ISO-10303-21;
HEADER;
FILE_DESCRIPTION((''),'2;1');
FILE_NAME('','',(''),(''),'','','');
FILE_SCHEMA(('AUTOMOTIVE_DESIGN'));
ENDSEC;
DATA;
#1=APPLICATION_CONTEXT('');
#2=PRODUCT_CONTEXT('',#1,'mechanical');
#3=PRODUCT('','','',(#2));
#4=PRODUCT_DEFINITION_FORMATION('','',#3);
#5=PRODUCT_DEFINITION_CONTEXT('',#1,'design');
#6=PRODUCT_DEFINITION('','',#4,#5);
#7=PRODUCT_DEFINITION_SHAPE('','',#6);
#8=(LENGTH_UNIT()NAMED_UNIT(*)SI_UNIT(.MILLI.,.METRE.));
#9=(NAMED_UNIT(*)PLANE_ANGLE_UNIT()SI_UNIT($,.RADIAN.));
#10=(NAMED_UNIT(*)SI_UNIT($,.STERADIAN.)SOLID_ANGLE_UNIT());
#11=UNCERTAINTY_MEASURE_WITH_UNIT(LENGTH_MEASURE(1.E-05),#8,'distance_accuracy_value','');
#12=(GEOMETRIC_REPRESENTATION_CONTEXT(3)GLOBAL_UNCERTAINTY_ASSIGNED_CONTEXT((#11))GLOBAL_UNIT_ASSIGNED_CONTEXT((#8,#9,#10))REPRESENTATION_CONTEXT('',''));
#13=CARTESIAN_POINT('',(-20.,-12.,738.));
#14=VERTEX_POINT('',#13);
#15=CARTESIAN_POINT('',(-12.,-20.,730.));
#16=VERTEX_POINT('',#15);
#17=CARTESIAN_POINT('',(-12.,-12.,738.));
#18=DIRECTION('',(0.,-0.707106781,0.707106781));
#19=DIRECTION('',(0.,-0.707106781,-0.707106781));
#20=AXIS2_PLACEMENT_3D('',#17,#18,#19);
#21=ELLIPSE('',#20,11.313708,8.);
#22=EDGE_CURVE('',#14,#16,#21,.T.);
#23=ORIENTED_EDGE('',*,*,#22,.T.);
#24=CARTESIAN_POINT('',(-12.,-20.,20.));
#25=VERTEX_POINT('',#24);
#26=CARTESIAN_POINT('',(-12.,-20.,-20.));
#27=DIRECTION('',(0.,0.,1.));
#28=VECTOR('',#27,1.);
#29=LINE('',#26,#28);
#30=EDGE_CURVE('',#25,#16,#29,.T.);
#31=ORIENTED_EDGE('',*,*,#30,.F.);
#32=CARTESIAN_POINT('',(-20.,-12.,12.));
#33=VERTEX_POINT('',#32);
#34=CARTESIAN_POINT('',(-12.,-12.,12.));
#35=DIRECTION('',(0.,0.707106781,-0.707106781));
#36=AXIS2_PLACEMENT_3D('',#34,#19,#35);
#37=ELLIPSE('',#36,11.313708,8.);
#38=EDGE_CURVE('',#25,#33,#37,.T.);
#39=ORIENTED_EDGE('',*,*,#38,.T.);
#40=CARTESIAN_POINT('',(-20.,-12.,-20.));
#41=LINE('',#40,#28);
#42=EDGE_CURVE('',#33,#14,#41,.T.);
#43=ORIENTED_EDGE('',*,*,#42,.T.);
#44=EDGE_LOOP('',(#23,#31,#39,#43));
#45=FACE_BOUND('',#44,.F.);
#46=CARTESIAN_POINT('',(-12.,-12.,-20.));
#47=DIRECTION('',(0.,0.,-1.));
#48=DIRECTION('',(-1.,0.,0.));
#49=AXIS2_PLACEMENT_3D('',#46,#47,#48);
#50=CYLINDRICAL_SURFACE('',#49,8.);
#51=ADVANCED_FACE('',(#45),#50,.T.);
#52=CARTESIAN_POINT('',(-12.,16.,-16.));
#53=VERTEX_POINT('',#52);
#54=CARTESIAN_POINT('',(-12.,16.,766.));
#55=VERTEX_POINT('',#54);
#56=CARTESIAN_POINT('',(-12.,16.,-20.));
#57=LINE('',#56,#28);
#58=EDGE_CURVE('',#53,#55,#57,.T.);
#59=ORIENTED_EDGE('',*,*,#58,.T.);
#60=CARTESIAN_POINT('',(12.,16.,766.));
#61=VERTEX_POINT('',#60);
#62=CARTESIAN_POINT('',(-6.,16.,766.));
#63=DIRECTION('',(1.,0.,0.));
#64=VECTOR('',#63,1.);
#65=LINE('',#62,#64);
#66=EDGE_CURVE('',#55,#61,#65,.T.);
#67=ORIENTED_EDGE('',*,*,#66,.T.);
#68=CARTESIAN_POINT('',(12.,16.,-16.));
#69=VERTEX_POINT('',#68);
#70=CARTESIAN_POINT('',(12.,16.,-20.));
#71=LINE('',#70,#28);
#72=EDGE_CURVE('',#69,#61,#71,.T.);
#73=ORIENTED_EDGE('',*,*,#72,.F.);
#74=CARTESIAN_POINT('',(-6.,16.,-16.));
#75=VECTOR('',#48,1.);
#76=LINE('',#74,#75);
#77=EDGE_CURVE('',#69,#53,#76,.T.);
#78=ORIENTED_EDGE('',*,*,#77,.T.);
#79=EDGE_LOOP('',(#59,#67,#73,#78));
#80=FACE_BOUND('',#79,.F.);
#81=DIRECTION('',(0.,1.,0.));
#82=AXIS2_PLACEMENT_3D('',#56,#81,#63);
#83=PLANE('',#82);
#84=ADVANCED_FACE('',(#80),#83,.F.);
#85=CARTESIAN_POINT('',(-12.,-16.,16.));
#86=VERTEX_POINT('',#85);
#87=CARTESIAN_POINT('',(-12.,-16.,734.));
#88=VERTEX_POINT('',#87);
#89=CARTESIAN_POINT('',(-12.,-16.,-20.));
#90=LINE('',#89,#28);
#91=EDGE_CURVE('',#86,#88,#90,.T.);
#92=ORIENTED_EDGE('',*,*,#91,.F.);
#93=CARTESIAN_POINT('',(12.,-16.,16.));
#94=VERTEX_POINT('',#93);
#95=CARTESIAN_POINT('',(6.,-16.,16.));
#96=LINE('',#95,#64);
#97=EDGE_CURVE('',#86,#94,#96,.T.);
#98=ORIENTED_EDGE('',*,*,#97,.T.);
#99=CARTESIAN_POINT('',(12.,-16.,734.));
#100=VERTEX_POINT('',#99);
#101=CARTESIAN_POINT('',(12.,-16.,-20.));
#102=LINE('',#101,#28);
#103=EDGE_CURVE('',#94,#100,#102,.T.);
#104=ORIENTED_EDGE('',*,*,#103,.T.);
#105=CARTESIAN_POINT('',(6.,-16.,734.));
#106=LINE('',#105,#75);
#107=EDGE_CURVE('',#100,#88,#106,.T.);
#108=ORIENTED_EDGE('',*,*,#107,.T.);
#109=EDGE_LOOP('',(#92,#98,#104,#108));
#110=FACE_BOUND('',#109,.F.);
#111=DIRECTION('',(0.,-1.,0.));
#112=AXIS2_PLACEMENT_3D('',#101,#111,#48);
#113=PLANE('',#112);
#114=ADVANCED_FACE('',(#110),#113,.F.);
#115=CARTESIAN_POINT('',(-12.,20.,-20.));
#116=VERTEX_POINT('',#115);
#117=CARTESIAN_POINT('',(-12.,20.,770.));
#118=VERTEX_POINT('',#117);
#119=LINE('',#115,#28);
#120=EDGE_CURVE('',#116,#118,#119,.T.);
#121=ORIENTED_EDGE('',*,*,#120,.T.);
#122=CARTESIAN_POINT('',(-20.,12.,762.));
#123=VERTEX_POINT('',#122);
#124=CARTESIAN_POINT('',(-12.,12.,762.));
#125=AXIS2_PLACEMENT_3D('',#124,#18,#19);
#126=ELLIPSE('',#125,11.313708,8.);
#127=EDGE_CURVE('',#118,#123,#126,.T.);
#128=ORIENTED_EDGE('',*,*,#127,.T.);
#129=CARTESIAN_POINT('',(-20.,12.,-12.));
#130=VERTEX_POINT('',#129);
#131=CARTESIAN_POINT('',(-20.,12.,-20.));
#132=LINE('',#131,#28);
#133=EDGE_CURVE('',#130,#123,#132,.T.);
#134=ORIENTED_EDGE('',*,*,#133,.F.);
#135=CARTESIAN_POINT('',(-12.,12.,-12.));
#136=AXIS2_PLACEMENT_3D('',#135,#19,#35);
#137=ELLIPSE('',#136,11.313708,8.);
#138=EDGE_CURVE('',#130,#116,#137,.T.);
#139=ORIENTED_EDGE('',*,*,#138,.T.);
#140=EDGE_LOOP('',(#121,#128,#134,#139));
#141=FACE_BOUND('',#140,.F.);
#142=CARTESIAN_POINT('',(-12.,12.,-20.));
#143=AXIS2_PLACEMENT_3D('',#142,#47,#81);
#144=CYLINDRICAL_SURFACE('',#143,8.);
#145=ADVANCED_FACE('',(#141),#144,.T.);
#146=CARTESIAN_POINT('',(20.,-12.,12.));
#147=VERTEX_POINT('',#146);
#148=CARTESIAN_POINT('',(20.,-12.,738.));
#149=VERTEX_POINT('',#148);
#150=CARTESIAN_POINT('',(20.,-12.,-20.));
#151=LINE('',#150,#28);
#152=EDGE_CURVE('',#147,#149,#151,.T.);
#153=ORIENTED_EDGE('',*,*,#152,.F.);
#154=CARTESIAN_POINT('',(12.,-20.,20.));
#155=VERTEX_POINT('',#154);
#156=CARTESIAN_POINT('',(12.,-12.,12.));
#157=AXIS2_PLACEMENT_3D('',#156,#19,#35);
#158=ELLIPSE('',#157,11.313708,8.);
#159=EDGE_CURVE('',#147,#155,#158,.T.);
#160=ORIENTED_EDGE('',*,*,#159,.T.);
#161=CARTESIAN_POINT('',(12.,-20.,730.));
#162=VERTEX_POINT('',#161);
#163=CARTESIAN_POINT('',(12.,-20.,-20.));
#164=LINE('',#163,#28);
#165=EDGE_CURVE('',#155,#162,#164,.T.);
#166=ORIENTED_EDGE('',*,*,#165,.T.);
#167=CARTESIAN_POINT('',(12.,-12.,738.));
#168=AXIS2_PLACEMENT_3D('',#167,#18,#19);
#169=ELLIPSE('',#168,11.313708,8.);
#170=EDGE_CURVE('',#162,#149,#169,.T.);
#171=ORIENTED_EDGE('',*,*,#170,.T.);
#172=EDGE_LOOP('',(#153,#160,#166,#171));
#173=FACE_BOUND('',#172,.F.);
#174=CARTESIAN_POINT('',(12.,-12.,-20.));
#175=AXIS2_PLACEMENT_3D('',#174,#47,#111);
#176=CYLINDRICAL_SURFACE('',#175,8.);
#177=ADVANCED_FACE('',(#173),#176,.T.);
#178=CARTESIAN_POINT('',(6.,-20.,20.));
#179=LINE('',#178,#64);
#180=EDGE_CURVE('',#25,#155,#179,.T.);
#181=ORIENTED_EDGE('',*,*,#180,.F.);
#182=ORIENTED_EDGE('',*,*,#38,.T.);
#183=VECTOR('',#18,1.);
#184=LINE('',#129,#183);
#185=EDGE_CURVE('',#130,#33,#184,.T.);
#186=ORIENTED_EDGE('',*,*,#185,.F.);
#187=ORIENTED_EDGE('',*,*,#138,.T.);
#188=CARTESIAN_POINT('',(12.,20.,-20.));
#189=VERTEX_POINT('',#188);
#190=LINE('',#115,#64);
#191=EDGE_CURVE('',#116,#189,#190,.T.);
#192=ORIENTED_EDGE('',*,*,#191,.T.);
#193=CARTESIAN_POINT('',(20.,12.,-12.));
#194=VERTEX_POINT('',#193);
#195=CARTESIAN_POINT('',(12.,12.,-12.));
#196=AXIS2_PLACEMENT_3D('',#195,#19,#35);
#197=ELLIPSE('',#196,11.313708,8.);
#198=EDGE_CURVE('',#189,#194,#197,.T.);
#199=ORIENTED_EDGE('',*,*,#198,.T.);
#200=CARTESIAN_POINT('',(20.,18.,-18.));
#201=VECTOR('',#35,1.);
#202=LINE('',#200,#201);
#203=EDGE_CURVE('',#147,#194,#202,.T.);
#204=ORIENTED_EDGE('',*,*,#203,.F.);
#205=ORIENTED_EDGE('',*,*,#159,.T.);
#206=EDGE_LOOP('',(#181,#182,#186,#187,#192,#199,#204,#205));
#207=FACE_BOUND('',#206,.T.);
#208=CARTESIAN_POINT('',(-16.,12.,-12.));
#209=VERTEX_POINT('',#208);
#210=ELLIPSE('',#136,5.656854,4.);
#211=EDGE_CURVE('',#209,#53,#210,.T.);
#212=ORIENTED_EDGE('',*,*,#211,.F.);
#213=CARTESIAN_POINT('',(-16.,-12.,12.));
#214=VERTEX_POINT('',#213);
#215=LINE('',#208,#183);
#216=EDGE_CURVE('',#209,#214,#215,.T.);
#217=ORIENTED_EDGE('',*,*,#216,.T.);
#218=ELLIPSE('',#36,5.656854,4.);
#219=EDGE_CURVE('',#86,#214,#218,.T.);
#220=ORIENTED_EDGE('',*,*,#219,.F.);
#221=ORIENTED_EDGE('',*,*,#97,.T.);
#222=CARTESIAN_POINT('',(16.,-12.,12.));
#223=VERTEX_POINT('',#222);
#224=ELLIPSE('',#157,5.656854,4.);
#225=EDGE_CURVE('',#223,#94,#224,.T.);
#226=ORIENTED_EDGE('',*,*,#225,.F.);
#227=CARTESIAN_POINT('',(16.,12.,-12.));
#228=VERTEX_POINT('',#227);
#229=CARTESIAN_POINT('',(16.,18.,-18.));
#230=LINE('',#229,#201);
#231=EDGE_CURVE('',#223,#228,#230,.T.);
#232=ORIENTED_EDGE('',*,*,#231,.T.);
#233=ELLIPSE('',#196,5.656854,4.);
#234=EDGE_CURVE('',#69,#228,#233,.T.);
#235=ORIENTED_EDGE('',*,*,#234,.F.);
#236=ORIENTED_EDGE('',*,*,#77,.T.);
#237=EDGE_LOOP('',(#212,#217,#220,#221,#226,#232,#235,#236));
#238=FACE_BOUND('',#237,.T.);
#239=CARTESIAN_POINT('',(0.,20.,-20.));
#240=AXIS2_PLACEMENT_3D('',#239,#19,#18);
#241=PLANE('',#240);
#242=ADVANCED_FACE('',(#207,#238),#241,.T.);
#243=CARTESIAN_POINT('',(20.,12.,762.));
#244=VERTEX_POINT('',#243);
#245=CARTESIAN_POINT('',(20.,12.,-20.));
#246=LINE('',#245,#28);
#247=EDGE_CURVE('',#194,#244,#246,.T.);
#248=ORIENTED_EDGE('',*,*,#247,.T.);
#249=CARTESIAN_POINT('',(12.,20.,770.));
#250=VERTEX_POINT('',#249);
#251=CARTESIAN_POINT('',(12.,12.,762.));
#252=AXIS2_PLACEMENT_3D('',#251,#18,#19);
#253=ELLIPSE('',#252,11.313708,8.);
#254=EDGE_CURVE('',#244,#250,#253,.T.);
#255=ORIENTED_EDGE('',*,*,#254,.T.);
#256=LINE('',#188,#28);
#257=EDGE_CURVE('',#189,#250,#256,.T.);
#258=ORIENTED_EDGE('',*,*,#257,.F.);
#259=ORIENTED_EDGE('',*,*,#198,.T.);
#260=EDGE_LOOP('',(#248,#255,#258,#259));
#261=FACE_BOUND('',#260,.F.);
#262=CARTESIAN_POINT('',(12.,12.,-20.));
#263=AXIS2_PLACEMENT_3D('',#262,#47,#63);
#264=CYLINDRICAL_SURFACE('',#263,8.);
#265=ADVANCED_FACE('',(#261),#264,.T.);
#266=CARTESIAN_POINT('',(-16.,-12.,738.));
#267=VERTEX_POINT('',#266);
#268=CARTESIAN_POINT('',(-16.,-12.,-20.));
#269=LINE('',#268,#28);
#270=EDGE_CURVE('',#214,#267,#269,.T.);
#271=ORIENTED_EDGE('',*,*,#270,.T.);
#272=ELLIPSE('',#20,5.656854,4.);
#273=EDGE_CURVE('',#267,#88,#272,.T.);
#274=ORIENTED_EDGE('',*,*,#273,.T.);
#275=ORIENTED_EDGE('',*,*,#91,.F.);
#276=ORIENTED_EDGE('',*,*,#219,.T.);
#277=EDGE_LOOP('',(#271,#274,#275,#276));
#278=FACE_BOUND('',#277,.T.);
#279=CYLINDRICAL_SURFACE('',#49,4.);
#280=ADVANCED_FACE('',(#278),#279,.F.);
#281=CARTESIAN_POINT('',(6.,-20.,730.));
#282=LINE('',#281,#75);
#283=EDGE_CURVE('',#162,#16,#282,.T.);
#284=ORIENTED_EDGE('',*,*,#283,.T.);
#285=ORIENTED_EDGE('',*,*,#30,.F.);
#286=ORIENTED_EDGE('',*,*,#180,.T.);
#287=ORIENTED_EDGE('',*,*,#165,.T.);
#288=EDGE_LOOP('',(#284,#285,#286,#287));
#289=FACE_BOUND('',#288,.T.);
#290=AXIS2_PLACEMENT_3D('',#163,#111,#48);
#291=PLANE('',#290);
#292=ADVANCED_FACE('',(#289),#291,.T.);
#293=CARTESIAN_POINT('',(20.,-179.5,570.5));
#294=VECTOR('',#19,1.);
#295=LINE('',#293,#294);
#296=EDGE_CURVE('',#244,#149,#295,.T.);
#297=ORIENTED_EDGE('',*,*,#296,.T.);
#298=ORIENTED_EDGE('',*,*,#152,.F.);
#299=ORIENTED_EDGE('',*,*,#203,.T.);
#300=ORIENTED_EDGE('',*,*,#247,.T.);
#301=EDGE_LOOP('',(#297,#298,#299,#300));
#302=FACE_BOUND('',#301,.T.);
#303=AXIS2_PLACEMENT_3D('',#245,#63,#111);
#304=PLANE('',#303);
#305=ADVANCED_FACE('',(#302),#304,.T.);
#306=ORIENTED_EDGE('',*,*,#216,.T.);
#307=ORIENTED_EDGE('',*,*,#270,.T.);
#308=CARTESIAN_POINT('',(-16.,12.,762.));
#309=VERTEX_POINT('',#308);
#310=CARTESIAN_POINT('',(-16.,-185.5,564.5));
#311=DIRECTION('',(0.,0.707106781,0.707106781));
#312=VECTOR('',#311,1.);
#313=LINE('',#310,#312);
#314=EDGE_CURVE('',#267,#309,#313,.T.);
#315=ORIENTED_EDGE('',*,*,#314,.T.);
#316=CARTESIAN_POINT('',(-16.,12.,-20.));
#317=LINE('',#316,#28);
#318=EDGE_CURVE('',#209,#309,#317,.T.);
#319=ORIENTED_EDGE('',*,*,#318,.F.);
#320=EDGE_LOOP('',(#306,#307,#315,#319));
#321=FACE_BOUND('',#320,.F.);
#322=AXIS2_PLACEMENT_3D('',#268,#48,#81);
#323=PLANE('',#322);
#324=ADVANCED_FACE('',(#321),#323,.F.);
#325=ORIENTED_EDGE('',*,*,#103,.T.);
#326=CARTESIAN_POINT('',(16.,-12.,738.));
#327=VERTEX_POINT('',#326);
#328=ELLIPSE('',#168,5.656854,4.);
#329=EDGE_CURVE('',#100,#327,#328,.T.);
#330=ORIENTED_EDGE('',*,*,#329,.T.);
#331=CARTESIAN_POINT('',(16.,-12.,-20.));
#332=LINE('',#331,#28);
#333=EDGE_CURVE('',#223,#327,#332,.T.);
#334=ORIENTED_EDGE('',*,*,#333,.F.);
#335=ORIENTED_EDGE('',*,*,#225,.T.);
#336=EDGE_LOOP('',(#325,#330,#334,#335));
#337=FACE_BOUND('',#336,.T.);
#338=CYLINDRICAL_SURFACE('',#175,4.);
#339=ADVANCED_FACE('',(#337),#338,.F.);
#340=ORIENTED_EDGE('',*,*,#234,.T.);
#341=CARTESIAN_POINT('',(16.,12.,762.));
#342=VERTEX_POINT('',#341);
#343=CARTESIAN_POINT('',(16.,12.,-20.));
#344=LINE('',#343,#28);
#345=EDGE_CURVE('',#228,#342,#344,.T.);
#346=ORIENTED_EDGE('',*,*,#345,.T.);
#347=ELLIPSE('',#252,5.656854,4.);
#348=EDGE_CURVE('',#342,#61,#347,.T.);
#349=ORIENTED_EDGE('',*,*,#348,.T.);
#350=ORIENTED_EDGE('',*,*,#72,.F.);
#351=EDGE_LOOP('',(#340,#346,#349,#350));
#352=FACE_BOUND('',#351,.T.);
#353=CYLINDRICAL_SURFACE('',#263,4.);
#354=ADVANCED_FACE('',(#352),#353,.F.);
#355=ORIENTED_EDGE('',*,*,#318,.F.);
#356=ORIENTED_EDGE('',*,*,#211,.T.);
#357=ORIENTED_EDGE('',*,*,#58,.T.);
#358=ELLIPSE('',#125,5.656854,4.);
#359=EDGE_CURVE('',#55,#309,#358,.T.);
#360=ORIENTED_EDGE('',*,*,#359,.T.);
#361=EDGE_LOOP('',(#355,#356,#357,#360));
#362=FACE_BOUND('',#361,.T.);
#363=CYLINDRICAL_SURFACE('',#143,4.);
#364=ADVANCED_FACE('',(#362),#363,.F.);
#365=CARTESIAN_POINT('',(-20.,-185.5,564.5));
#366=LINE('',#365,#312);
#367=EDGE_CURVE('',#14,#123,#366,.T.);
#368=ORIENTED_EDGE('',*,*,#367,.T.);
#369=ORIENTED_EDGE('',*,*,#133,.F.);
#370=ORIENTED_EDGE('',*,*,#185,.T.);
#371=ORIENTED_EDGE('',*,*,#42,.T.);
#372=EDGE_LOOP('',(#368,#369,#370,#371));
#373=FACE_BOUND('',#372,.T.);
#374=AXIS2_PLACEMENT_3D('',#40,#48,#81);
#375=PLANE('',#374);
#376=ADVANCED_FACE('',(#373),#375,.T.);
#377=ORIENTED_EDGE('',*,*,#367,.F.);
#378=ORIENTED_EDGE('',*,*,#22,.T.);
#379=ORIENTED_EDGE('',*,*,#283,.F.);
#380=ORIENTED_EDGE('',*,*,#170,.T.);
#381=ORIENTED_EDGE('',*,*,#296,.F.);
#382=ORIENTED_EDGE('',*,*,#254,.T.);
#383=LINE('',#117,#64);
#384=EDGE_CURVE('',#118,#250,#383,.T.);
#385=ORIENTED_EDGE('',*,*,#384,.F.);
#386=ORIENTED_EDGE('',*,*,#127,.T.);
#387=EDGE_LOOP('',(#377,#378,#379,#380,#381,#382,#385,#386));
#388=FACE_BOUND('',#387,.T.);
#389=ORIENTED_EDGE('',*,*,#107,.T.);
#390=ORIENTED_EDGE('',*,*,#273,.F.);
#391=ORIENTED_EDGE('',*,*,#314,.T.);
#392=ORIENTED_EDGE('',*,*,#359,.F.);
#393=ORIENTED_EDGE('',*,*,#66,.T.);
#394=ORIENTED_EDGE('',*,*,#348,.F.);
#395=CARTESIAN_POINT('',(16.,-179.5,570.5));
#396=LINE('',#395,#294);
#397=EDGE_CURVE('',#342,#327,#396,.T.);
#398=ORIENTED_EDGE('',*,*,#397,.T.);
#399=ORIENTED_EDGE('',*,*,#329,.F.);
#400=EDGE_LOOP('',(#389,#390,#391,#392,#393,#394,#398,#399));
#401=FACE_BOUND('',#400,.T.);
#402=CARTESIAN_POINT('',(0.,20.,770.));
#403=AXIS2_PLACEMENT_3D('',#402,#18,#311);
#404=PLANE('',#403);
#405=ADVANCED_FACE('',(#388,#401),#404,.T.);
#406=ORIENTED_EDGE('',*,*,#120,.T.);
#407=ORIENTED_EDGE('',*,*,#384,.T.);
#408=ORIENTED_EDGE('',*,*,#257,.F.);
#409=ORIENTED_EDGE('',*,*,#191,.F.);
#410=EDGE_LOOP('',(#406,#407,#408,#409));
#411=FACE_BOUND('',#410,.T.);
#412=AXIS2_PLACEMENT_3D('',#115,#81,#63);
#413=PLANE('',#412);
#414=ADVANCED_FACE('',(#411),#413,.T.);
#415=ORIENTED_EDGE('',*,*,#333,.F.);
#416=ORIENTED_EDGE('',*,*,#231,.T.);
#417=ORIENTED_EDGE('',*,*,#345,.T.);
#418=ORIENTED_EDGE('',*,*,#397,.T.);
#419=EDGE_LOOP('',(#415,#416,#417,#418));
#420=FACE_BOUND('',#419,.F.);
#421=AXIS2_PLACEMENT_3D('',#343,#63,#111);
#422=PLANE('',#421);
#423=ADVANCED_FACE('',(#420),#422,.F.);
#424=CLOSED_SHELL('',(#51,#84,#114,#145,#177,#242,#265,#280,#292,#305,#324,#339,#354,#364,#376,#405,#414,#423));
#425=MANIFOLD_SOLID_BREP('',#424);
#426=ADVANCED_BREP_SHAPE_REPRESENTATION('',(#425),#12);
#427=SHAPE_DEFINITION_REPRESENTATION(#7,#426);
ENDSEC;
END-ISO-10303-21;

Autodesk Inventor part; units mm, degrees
ref_plane "Start plane" through (0, 0, -20) normal (0, 0, 1) x (1, 0, 0)
ref_plane "End plane" through (0, 0, 770) normal (0, 0, 1) x (1, 0, 0)
sketch "Sketch" plane through (0, 0, 0) normal (0, 0, 1) x (1, 0, 0)
  line L0 (-20, -12) -> (-20, 12)
  line L1 (-12, 20) -> (12, 20)
  line L2 (20, 12) -> (20, -12)
  line L3 (12, -20) -> (-12, -20)
  arc A0 (-20, -12) -> (-12, -20) centre (-12, -12) ccw
  arc A1 (-12, 20) -> (-20, 12) centre (-12, 12) ccw
  arc A2 (20, 12) -> (12, 20) centre (12, 12) ccw
  arc A3 (12, -20) -> (20, -12) centre (12, -12) ccw
  arc A4 (-12, 16) -> (-16, 12) centre (-12, 12) ccw
  line L4 (-12, 16) -> (12, 16)
  arc A5 (16, 12) -> (12, 16) centre (12, 12) ccw
  line L5 (16, 12) -> (16, -12)
  arc A6 (12, -16) -> (16, -12) centre (12, -12) ccw
  line L6 (12, -16) -> (-12, -16)
  arc A7 (-16, -12) -> (-12, -16) centre (-12, -12) ccw
  line L7 (-16, -12) -> (-16, 12)
  line L8 (0, 30.3196) -> (0, -30.3196) construction
  line L9 (-30.3196, 0) -> (30.3196, 0) construction
  dimension "d7" = 8
  dimension "d10" = 40
  dimension "d11" = 40
  dimension "d12" = 4
  dimension "d15" = 20
  dimension "d16" = 20
extrude "Body" add sketch "Sketch" along normal up to surface (790 mm away) from surface at -20
sketch "Sketch3" plane through (0, 0, 0) normal (0, 0, 1) x (1, 0, 0)
  line L0 (0, 0) -> (10, 0)
ref_plane "Work Plane3" through (0, 0, 0) normal (0, -1, 0) x (1, 0, 0)
sketch "Sketch4" plane through (0, 0, 0) normal (0, -1, 0) x (1, 0, 0)
  line L0 (-2, -20) -> (12, -20)
  line L1 (-2, 770) -> (12, 770)
  dimension "d18" = 790
ref_plane "Work Plane4" through (0, 20, 770) normal (0, -0.7071, 0.7071) x (1, 0, 0)
split "Split1" plane through (0, 20, 770) removes the side toward (0, -0.7071, 0.7071)
ref_plane "Work Plane5" through (0, 20, -20) normal (0, -0.7071, -0.7071) x (1, 0, 0)
split "Split2" plane through (0, 20, -20) removes the side toward (0, -0.7071, -0.7071)
equation "\"d7\" = G_IR"
equation "\"d10\" = G_H"
equation "\"d11\" = G_W"
equation "\"d12\" = G_T"
equation "\"d15\" = 0.5 * d10"
equation "\"d16\" = 0.5 * d11"
equation "\"d3\" = G_L"
equation "\"G_W\" = 40"
equation "\"G_H\" = 40"
equation "\"G_T\" = 4"
equation "\"G_IR\" = 8"
equation "\"G_L\" = d18"
equation "\"G_OFFSET_START\" = 20"
equation "\"G_OFFSET_END\" = 20"
equation "\"d13\" = -G_OFFSET_START"
equation "\"B_L\" = 750"
properties part number "DIN EN 10219-2 - 40 x 40 x 4  - 790" material "Steel, Mild"
